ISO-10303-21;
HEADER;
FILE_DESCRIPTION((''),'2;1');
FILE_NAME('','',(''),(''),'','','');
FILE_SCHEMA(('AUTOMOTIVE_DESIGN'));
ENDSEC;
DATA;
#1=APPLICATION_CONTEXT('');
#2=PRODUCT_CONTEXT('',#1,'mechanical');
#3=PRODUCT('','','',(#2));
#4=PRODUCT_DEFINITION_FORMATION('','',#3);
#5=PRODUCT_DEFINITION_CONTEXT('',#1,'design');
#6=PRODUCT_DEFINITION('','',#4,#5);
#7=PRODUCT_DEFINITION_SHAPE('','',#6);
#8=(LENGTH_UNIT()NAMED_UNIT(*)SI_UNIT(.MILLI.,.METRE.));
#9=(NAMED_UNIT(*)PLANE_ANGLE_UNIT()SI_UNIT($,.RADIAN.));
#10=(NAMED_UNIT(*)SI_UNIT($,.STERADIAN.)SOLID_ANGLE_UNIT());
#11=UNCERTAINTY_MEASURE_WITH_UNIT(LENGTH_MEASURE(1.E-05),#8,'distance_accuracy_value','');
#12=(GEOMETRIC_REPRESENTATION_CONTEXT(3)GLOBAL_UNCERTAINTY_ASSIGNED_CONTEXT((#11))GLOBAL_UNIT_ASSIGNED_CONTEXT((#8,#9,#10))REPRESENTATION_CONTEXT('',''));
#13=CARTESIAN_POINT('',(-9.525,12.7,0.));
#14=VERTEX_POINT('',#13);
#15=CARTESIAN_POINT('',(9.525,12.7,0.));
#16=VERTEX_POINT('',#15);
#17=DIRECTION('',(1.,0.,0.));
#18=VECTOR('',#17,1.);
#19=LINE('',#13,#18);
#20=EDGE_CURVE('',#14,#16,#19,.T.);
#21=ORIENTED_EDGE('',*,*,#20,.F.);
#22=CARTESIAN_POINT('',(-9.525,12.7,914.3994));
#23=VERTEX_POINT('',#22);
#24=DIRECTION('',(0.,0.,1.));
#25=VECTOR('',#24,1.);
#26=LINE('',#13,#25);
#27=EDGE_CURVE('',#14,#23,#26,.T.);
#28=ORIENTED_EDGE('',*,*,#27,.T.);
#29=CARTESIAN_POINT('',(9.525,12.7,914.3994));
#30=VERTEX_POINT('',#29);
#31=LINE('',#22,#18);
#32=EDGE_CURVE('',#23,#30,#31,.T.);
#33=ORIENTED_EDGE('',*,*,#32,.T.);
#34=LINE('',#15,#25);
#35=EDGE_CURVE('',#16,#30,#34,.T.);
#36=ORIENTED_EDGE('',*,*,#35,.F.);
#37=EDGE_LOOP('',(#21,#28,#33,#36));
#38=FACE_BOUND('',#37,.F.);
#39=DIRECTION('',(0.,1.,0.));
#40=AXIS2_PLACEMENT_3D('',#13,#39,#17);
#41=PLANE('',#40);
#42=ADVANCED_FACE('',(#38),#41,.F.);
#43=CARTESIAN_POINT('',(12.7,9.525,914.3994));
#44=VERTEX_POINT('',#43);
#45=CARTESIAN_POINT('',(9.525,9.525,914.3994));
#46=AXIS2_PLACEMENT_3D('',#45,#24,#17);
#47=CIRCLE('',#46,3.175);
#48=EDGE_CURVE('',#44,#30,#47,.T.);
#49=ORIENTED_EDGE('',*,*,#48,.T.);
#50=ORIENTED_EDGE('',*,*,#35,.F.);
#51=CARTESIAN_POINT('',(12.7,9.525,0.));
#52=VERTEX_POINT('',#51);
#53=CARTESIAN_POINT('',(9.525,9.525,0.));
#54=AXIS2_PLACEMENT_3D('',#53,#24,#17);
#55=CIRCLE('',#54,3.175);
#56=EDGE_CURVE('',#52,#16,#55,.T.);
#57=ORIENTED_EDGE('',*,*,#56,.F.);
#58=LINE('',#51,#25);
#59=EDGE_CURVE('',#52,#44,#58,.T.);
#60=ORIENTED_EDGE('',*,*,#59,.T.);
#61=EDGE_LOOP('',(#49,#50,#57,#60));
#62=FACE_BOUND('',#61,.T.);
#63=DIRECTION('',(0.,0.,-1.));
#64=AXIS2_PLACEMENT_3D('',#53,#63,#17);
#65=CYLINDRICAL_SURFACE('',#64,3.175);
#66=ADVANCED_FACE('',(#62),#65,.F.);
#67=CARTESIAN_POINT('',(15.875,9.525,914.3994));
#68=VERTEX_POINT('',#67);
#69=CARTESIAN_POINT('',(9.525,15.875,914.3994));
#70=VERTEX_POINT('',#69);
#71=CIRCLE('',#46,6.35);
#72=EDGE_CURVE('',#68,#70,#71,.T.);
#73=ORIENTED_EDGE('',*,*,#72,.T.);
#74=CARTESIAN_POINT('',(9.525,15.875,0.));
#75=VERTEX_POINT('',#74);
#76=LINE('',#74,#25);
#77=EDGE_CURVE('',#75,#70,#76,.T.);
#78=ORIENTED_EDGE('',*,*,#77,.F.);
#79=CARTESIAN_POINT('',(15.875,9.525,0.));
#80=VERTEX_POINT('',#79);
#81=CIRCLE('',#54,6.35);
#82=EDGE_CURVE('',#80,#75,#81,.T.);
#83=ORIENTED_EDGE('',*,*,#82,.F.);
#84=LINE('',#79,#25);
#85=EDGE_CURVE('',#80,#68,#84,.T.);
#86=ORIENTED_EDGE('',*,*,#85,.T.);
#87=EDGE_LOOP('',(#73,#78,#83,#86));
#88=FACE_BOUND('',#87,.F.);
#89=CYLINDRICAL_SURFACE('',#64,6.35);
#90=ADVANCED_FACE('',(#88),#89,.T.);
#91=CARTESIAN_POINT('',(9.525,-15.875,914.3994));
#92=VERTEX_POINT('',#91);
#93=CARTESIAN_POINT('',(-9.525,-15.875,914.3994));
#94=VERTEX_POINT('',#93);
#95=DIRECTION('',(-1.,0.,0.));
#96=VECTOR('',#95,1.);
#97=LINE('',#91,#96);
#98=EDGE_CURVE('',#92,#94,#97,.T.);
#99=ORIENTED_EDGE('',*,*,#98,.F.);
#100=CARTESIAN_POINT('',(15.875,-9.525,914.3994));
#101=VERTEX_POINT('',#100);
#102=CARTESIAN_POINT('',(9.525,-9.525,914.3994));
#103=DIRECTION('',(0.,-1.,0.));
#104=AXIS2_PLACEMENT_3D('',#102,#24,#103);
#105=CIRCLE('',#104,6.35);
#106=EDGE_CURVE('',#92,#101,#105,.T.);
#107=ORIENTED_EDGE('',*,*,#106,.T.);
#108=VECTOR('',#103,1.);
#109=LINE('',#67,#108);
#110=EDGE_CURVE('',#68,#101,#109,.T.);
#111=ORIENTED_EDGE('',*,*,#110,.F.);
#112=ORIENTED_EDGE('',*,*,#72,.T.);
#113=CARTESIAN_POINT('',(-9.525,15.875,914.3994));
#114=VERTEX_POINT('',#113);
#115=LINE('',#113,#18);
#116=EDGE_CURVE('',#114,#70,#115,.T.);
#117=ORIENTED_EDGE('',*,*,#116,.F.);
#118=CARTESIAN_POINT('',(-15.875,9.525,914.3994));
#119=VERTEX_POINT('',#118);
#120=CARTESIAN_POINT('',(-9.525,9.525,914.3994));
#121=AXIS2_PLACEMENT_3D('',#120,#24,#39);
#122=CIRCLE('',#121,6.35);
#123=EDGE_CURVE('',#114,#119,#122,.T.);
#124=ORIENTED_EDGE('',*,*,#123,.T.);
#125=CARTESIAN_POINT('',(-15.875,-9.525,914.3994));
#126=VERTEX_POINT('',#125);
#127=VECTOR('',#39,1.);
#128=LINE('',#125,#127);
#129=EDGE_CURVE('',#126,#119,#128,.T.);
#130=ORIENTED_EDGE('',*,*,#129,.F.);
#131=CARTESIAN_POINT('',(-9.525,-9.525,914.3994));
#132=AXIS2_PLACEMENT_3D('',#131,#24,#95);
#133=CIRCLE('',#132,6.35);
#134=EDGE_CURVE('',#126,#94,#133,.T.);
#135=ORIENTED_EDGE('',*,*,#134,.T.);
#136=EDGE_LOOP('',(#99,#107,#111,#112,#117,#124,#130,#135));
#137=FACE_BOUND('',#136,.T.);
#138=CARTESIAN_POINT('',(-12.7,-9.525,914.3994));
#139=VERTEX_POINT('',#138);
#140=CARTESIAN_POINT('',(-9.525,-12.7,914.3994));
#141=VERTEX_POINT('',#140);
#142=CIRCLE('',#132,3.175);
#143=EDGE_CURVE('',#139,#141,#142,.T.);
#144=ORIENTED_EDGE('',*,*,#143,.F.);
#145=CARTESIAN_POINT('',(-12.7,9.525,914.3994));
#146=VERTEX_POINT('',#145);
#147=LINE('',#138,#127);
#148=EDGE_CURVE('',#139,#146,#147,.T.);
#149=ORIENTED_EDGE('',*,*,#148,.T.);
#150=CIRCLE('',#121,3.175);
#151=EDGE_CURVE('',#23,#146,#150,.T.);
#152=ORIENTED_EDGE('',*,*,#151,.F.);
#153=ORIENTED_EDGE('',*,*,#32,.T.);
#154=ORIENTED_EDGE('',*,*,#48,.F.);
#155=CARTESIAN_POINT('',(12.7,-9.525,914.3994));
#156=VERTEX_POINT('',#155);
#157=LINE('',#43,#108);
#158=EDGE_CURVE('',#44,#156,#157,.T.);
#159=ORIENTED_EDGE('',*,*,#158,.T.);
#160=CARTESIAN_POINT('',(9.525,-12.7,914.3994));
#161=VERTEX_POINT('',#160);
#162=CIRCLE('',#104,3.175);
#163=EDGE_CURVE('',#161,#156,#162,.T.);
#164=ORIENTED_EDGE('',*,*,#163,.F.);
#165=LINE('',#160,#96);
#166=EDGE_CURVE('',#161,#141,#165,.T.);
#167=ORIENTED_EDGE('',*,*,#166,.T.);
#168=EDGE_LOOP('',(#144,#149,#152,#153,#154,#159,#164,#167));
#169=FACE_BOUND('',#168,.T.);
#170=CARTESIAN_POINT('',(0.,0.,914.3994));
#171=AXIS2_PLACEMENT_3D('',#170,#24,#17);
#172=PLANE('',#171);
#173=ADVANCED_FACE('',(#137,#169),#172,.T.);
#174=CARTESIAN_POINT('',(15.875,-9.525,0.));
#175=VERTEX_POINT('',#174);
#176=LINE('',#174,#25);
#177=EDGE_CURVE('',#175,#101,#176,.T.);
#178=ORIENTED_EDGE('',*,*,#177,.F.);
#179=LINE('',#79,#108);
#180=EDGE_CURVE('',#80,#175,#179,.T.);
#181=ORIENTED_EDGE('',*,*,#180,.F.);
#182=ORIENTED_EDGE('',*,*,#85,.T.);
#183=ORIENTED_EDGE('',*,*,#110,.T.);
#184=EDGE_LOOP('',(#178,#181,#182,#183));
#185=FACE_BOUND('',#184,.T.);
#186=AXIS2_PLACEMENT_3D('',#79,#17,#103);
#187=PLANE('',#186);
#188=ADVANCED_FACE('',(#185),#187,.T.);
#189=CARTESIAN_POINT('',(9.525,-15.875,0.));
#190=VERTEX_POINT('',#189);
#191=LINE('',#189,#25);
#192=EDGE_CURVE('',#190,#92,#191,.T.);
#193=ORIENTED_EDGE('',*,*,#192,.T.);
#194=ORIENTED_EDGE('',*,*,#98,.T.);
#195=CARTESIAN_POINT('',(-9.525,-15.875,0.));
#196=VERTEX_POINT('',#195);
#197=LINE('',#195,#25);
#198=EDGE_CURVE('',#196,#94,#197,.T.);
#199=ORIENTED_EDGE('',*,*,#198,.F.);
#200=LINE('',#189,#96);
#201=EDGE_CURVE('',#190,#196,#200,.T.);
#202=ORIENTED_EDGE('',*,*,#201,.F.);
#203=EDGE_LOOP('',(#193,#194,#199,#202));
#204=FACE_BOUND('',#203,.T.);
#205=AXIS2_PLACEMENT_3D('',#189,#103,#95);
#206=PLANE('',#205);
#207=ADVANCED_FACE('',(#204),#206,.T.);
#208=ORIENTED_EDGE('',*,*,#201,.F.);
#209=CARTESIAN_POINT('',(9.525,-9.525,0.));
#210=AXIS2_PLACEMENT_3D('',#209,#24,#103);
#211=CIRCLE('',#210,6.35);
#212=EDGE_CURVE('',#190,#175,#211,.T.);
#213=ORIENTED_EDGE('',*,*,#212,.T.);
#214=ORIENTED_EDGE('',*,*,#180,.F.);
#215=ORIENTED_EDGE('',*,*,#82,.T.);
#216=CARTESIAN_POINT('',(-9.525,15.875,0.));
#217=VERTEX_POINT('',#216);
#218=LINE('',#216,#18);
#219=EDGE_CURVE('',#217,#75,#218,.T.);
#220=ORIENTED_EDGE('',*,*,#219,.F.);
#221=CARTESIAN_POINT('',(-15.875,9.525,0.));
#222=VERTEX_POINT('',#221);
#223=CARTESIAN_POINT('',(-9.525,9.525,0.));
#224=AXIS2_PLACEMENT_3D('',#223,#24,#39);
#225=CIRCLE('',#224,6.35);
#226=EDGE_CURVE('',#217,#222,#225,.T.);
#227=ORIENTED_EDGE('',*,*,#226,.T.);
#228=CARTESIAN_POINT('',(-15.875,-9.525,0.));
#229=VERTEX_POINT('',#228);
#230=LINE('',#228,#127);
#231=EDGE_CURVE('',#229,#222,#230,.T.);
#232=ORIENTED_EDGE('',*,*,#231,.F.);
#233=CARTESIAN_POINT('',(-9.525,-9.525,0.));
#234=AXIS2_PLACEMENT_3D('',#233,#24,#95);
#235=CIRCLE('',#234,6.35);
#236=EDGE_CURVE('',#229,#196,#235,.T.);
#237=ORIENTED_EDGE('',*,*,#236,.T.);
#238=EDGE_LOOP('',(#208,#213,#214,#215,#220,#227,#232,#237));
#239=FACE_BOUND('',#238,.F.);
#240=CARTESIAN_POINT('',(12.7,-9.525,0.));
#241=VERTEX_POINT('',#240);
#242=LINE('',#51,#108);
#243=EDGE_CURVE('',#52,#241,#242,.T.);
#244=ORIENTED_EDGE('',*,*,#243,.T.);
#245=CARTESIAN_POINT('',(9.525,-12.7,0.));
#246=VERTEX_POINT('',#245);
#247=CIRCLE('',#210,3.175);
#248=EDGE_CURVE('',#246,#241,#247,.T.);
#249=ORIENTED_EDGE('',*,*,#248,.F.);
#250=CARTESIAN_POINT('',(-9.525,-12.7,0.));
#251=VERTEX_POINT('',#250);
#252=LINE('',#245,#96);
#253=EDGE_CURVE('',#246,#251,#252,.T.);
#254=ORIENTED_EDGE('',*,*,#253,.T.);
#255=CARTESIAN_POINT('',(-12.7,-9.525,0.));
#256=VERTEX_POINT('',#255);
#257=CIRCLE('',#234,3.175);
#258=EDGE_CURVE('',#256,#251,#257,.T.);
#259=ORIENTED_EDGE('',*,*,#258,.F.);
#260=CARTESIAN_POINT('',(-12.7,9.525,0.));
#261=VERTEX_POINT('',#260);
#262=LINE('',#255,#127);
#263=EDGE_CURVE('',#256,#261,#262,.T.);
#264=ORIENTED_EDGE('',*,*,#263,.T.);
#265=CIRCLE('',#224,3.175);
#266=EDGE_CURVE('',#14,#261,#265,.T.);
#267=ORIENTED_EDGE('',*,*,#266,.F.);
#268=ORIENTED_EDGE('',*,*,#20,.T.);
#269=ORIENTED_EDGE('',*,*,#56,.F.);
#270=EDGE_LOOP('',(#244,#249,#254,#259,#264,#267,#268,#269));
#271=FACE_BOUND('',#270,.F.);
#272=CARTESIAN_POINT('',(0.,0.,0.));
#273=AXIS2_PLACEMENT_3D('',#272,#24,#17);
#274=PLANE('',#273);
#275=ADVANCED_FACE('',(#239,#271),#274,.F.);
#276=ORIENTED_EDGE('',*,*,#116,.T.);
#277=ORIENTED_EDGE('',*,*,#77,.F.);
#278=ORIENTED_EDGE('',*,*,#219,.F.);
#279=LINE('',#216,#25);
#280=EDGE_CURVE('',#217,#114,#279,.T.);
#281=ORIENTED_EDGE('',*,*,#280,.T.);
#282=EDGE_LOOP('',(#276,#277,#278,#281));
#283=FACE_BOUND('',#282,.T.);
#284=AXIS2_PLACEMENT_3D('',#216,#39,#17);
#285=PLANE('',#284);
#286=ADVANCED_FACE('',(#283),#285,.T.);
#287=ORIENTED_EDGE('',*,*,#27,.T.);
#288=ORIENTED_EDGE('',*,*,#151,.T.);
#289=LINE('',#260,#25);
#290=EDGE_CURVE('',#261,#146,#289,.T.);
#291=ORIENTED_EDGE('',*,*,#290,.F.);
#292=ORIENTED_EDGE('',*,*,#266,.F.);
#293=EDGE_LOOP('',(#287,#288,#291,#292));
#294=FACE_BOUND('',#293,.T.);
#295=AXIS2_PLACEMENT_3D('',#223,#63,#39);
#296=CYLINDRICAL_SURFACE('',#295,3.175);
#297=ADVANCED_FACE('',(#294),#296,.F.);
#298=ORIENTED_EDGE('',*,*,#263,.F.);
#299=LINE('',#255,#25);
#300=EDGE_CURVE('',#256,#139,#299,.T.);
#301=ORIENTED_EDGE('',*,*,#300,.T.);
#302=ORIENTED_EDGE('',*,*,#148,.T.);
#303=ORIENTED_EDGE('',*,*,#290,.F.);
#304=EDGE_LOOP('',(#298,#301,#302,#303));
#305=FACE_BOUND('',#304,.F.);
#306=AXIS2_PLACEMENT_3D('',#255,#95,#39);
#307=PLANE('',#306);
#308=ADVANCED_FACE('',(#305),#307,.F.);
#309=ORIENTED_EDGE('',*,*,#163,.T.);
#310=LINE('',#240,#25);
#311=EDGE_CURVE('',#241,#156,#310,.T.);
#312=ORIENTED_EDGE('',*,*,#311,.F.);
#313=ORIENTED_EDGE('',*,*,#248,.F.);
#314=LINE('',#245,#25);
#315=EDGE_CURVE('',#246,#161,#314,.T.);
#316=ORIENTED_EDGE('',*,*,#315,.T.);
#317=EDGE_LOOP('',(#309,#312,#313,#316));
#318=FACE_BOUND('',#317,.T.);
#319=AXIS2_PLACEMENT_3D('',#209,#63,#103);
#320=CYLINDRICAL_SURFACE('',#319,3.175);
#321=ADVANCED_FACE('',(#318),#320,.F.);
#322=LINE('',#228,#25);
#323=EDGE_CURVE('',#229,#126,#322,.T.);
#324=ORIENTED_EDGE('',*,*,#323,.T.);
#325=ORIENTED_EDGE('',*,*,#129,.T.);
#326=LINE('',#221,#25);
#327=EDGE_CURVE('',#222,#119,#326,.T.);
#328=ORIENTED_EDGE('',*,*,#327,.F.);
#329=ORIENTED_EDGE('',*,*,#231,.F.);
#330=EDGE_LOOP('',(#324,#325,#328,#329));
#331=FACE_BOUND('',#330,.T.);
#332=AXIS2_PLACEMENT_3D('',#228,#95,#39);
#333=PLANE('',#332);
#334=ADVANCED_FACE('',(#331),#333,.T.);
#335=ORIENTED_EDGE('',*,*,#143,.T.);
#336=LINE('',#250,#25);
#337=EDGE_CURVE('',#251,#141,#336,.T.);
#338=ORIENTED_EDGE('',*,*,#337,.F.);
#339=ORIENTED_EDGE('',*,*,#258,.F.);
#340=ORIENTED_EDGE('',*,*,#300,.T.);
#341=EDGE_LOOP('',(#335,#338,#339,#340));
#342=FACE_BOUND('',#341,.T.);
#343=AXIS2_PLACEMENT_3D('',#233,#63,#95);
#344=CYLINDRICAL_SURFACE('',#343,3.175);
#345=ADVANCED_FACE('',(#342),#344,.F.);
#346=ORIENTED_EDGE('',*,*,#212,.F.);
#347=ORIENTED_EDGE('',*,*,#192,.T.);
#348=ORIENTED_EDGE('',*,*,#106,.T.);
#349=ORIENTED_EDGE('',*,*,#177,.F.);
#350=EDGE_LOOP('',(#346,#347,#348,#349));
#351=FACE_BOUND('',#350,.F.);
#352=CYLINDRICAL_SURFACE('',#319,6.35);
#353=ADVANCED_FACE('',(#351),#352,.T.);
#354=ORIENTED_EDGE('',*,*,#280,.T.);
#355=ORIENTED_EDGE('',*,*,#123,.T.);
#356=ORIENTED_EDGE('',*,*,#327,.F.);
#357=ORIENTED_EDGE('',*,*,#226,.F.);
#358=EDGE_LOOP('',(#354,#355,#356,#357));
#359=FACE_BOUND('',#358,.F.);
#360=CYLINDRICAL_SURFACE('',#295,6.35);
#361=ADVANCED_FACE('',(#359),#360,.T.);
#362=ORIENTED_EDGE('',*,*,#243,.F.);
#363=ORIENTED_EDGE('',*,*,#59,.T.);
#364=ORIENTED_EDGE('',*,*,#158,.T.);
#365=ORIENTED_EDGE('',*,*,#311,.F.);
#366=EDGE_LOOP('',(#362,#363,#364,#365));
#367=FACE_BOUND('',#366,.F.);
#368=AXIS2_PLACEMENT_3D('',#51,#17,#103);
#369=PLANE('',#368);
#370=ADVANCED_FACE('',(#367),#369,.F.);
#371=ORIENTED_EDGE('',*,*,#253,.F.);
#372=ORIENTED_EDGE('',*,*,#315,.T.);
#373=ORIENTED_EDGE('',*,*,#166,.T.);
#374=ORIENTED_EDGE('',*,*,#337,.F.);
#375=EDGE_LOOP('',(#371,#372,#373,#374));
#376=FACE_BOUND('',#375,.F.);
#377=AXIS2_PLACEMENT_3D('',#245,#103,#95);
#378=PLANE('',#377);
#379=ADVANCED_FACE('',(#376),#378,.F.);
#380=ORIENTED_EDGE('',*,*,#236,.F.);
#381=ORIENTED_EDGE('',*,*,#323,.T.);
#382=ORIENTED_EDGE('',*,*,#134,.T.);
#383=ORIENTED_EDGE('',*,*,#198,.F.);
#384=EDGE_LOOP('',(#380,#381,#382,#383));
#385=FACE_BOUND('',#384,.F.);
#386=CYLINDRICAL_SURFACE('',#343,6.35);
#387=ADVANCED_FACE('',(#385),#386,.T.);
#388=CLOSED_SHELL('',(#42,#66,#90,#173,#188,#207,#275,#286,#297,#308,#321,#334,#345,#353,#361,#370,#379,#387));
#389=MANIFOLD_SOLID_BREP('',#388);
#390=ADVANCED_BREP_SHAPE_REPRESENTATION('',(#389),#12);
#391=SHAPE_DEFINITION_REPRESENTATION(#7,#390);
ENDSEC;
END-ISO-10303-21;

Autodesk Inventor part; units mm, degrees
ref_plane "YZ Plane" through (0, 0, 0) normal (1, 0, 0) x (0, 1, 0)
ref_plane "Start plane" through (0, 0, 0) normal (0, 0, 1) x (1, 0, 0)
ref_plane "End plane" through (0, 0, 914.3994) normal (0, 0, 1) x (1, 0, 0)
sketch "Sketch" plane through (0, 0, 0) normal (0, 0, 1) x (1, 0, 0)
  line L0 (-15.875, -9.525) -> (-15.875, 9.525)
  line L1 (-9.525, 15.875) -> (9.525, 15.875)
  line L2 (15.875, 9.525) -> (15.875, -9.525)
  line L3 (9.525, -15.875) -> (-9.525, -15.875)
  arc A0 (-15.875, -9.525) -> (-9.525, -15.875) centre (-9.525, -9.525) ccw
  arc A1 (-9.525, 15.875) -> (-15.875, 9.525) centre (-9.525, 9.525) ccw
  arc A2 (15.875, 9.525) -> (9.525, 15.875) centre (9.525, 9.525) ccw
  arc A3 (9.525, -15.875) -> (15.875, -9.525) centre (9.525, -9.525) ccw
  arc A4 (-9.525, 12.7) -> (-12.7, 9.525) centre (-9.525, 9.525) ccw
  line L4 (-9.525, 12.7) -> (9.525, 12.7)
  arc A5 (12.7, 9.525) -> (9.525, 12.7) centre (9.525, 9.525) ccw
  line L5 (12.7, 9.525) -> (12.7, -9.525)
  arc A6 (9.525, -12.7) -> (12.7, -9.525) centre (9.525, -9.525) ccw
  line L6 (9.525, -12.7) -> (-9.525, -12.7)
  arc A7 (-12.7, -9.525) -> (-9.525, -12.7) centre (-9.525, -9.525) ccw
  line L7 (-12.7, -9.525) -> (-12.7, 9.525)
  line L8 (0, 24.0662) -> (0, -24.0662) construction
  line L9 (-24.0662, 0) -> (24.0662, 0) construction
  dimension "d10" = 31.75
  dimension "d11" = 31.75
  dimension "d12" = 3.175
  dimension "d15" = 15.875
  dimension "d16" = 15.875
  dimension "d17" = 6.35
extrude "Body" add sketch "Sketch" along normal up to surface (914.3994 mm away) from surface at 0
sketch "Sketch3" plane through (0, 0, 0) normal (0, 0, 1) x (1, 0, 0)
  line L0 (0, 0) -> (10, 0)
ref_plane "Work Plane3" through (0, 0, 0) normal (0, -1, 0) x (1, 0, 0)
sketch "Sketch4" plane through (0, 0, 0) normal (0, -1, 0) x (1, 0, 0)
  line L0 (-2, 0) -> (12, 0)
  line L1 (-2, 914.3994) -> (12, 914.3994)
  dimension "d19" = 914.3994
equation "\"d10\" = G_H"
equation "\"d11\" = G_W"
equation "\"d12\" = G_T"
equation "\"d15\" = 0.5 * d10"
equation "\"d16\" = 0.5 * d11"
equation "\"d17\" = G_IR"
equation "\"d3\" = G_L"
equation "\"G_W\" = 31.75"
equation "\"G_H\" = 31.75"
equation "\"G_T\" = 3.175"
equation "\"G_IR\" = 6.35"
equation "\"G_L\" = d19"
equation "\"G_OFFSET_START\" = 0"
equation "\"G_OFFSET_END\" = 0"
equation "\"d14\" = G_OFFSET_END + B_L"
equation "\"B_L\" = 914.39936"
properties part number "AISC HSS - (1 1/4x1 1/4x1/8) - 36" material "Steel, Mild"
